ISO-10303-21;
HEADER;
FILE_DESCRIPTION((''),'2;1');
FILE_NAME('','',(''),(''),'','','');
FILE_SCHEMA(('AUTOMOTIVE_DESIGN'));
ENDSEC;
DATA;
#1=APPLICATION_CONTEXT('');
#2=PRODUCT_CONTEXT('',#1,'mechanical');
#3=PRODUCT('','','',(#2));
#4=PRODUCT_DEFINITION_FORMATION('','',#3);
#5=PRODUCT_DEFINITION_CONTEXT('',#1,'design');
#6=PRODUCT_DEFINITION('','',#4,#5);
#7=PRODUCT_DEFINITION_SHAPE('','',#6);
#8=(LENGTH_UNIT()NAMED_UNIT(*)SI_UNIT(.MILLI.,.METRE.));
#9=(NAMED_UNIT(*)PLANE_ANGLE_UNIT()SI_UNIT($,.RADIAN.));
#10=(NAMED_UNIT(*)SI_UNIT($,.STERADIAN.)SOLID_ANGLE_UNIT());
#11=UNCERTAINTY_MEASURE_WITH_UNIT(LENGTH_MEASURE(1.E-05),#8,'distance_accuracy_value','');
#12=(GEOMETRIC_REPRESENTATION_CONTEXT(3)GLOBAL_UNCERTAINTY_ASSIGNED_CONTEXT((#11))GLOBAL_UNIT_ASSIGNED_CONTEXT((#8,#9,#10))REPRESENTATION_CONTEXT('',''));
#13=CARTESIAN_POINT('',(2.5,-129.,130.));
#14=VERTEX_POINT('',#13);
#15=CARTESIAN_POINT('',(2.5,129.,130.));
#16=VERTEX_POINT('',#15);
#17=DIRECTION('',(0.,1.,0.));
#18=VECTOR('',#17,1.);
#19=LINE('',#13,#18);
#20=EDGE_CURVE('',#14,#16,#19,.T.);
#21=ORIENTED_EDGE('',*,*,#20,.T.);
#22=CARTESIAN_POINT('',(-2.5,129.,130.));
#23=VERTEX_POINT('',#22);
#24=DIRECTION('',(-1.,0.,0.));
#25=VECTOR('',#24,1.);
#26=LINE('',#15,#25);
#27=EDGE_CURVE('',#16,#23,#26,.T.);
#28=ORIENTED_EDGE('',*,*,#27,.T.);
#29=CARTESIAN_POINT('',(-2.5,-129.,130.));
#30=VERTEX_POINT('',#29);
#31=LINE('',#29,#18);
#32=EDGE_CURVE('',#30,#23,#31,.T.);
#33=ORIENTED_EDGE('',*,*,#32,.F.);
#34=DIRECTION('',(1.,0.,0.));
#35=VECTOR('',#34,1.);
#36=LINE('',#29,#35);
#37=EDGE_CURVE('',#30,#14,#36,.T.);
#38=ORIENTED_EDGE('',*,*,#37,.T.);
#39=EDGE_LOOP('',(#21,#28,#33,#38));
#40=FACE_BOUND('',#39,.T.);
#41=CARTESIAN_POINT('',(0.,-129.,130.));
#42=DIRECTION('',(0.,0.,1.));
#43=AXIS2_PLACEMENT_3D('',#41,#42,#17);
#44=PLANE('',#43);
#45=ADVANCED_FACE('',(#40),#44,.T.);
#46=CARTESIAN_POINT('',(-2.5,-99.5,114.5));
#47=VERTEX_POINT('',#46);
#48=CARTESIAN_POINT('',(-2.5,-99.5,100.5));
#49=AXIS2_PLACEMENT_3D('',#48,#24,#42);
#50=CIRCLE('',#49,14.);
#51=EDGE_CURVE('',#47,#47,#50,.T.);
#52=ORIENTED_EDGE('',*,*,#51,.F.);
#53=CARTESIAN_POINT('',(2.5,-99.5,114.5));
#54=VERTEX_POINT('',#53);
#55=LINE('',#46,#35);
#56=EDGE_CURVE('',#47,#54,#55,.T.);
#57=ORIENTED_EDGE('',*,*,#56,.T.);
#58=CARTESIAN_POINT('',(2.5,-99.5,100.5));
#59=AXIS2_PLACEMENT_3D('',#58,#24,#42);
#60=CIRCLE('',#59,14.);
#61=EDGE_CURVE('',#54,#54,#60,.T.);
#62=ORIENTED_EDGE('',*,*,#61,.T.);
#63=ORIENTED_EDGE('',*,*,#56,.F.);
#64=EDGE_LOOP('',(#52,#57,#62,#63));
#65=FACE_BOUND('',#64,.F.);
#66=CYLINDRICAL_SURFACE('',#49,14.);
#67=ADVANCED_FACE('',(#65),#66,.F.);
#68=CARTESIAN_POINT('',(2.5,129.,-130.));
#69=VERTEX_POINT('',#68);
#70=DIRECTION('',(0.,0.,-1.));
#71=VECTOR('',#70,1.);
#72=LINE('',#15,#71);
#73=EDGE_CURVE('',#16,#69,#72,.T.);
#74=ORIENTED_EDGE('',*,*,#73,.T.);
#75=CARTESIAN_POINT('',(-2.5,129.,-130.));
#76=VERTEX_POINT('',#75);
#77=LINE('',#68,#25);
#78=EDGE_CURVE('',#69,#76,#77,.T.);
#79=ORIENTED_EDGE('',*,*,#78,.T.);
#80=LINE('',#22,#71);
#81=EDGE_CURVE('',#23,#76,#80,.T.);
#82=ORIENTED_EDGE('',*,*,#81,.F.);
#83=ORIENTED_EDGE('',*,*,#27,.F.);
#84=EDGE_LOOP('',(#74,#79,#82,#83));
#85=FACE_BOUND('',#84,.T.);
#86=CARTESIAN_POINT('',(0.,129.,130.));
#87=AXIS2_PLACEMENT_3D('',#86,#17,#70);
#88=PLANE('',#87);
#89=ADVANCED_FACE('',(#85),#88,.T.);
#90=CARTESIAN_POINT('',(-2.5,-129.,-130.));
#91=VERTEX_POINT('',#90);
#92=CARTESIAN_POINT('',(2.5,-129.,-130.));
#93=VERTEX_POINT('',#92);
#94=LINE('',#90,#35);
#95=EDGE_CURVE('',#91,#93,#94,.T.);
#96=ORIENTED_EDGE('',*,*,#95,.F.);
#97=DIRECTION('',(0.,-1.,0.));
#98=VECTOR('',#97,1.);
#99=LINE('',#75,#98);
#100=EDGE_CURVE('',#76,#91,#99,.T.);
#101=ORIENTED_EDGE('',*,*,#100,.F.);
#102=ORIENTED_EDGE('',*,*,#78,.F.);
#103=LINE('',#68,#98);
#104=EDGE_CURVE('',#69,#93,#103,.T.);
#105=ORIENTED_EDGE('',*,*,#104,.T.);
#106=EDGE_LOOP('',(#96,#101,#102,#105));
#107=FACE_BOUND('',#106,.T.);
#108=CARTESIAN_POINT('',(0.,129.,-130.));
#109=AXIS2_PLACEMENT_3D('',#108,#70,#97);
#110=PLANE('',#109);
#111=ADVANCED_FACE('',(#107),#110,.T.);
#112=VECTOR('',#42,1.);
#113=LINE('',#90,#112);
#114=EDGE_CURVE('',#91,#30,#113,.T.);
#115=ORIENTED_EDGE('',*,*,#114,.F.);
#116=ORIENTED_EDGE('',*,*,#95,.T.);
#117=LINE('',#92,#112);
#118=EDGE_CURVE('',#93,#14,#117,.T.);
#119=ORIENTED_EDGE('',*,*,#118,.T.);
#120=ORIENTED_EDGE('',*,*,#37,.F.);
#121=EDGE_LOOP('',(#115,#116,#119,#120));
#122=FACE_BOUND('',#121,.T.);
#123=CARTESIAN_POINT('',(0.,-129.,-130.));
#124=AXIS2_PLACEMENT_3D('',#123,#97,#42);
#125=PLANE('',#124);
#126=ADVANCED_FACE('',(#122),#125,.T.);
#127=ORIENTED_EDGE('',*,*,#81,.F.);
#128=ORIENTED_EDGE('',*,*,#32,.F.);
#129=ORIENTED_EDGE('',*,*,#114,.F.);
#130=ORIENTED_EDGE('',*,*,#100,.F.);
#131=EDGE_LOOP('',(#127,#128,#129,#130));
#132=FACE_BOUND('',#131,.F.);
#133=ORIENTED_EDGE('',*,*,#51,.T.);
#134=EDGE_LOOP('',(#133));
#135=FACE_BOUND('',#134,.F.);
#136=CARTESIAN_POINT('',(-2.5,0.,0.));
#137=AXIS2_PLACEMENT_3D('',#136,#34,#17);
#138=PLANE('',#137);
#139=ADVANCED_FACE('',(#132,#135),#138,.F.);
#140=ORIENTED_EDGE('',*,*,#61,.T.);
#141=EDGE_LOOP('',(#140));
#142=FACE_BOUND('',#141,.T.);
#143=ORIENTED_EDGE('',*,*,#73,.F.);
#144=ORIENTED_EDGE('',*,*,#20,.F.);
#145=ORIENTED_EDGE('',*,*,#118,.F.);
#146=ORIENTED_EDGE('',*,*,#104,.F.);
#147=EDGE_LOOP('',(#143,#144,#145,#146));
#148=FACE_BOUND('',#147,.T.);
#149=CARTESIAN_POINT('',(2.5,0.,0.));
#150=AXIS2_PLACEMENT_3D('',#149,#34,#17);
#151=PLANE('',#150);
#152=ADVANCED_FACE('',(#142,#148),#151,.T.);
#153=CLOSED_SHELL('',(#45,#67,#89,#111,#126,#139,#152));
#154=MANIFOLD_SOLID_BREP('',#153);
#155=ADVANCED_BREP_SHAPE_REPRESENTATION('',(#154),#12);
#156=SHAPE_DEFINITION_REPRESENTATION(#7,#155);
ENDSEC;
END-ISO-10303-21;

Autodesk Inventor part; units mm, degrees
ref_plane "YZ Plane" through (0, 0, 0) normal (1, 0, 0) x (0, 1, 0)
ref_plane "XZ Plane" through (0, 0, 0) normal (0, 1, 0) x (-1, 0, 0)
ref_plane "XY Plane" through (0, 0, 0) normal (0, 0, 1) x (1, 0, 0)
sketch "Sketch1" plane through (0, 0, 0) normal (1, 0, 0) x (0, 1, 0)
  line L0 (-129, 130) -> (129, 130)
  line L1 (129, 130) -> (129, -130)
  line L2 (129, -130) -> (-129, -130)
  line L3 (-129, -130) -> (-129, 130)
  line L4 (-129, 130) -> (129, -130) construction
  line L5 (129, 130) -> (-129, -130) construction
  point P0 (0, 0)
  dimension "d0" = 258
  dimension "d1" = 260
extrude "Extrusion1" add sketch "Sketch1" along normal mid plane 5
sketch "Sketch3" plane through (-2.5, 0, 0) normal (-1, 0, 0) x (0, 0, 1)
  circle A0 centre (100.5, -99.5) radius 16.7557 construction
  line L0 (130, -129) -> (130, 129) construction
  line L1 (-130, -129) -> (130, -129) construction
  circle A1 centre (100.5, -99.5) radius 14
  point P0 (0, 0)
  dimension "d12" = 29.5
  dimension "d13" = 29.5
  dimension "d14" = 28
extrude "Extrusion3" cut sketch "Sketch3" against normal blind 5
sketch "Sketch4" plane through (-2.5, 0, 0) normal (-1, 0, 0) x (0, 0, 1)
  circle A0 centre (107.5, 3.5) radius 12.5 construction
  line L0 (130, -129) -> (130, 129) construction
  line L1 (-130, -129) -> (130, -129) construction
  circle A1 centre (107.5, 3.5) radius 8
  circle A2 centre (62.5, 3.5) radius 12.5 construction
  circle A3 centre (62.5, 3.5) radius 8
  point P0 (0, 0)
  dimension "d17" = 25
  dimension "d18" = 22.5
  dimension "d19" = 132.5
  dimension "d20" = 16
  dimension "d21" = 25
  dimension "d22" = 45
  dimension "d23" = 16
  dimension "d24" = 132.5
equation "\"d0\" = boxh"
equation "\"d1\" = boxl + 2 * pvct"
equation "\"d2\" = pvct"
equation "\"d14\" = airininner"
equation "\"d15\" = pvct"
equation "\"d17\" = diapowerouter"
equation "\"d20\" = diapower"
equation "\"d21\" = diapowerouter"
equation "\"d23\" = diapower"
equation "\"solhole\" = 3"
equation "\"solholespacing\" = 16"
equation "\"ssolw\" = 63"
equation "\"bsoll\" = 126"
equation "\"bsolw\" = 91"
equation "\"bsolh\" = 126"
equation "\"tapl\" = 31"
equation "\"tl\" = 32"
equation "\"eloboww\" = 25"
equation "\"pvct\" = 5"
equation "\"boxh\" = 258"
equation "\"supporth\" = 15"
equation "\"play\" = 0.5"
equation "\"pcbh\" = 46"
equation "\"pcbw\" = 76"
equation "\"pcbl\" = 86"
equation "\"arl\" = 102"
equation "\"arw\" = 54"
equation "\"psuh\" = 85"
equation "\"screenl\" = 115"
equation "\"screenw\" = 197"
equation "\"seph\" = 105"
equation "\"diapowerouter\" = 25"
equation "\"dialoadouter\" = 25"
equation "\"distpumps\" = 75"
equation "\"diaetapeouter\" = 36"
equation "\"diaphouter\" = 48"
equation "\"distbubblewater\" = 82"
equation "\"diaload\" = 16"
equation "\"diaetape\" = 25"
equation "\"diaph\" = 32"
equation "\"diapower\" = 16"
equation "\"pumpouter\" = 25"
equation "\"airoutinner\" = 28"
equation "\"airoutouter\" = 39"
equation "\"waterouter\" = 39"
equation "\"waterinner\" = 28"
equation "\"pumpinner\" = 16"
equation "\"airininner\" = 28"
equation "\"airinouter\" = 39"
equation "\"boxl\" = 250"
properties part number "sb_side" material "PVC-Piping"
